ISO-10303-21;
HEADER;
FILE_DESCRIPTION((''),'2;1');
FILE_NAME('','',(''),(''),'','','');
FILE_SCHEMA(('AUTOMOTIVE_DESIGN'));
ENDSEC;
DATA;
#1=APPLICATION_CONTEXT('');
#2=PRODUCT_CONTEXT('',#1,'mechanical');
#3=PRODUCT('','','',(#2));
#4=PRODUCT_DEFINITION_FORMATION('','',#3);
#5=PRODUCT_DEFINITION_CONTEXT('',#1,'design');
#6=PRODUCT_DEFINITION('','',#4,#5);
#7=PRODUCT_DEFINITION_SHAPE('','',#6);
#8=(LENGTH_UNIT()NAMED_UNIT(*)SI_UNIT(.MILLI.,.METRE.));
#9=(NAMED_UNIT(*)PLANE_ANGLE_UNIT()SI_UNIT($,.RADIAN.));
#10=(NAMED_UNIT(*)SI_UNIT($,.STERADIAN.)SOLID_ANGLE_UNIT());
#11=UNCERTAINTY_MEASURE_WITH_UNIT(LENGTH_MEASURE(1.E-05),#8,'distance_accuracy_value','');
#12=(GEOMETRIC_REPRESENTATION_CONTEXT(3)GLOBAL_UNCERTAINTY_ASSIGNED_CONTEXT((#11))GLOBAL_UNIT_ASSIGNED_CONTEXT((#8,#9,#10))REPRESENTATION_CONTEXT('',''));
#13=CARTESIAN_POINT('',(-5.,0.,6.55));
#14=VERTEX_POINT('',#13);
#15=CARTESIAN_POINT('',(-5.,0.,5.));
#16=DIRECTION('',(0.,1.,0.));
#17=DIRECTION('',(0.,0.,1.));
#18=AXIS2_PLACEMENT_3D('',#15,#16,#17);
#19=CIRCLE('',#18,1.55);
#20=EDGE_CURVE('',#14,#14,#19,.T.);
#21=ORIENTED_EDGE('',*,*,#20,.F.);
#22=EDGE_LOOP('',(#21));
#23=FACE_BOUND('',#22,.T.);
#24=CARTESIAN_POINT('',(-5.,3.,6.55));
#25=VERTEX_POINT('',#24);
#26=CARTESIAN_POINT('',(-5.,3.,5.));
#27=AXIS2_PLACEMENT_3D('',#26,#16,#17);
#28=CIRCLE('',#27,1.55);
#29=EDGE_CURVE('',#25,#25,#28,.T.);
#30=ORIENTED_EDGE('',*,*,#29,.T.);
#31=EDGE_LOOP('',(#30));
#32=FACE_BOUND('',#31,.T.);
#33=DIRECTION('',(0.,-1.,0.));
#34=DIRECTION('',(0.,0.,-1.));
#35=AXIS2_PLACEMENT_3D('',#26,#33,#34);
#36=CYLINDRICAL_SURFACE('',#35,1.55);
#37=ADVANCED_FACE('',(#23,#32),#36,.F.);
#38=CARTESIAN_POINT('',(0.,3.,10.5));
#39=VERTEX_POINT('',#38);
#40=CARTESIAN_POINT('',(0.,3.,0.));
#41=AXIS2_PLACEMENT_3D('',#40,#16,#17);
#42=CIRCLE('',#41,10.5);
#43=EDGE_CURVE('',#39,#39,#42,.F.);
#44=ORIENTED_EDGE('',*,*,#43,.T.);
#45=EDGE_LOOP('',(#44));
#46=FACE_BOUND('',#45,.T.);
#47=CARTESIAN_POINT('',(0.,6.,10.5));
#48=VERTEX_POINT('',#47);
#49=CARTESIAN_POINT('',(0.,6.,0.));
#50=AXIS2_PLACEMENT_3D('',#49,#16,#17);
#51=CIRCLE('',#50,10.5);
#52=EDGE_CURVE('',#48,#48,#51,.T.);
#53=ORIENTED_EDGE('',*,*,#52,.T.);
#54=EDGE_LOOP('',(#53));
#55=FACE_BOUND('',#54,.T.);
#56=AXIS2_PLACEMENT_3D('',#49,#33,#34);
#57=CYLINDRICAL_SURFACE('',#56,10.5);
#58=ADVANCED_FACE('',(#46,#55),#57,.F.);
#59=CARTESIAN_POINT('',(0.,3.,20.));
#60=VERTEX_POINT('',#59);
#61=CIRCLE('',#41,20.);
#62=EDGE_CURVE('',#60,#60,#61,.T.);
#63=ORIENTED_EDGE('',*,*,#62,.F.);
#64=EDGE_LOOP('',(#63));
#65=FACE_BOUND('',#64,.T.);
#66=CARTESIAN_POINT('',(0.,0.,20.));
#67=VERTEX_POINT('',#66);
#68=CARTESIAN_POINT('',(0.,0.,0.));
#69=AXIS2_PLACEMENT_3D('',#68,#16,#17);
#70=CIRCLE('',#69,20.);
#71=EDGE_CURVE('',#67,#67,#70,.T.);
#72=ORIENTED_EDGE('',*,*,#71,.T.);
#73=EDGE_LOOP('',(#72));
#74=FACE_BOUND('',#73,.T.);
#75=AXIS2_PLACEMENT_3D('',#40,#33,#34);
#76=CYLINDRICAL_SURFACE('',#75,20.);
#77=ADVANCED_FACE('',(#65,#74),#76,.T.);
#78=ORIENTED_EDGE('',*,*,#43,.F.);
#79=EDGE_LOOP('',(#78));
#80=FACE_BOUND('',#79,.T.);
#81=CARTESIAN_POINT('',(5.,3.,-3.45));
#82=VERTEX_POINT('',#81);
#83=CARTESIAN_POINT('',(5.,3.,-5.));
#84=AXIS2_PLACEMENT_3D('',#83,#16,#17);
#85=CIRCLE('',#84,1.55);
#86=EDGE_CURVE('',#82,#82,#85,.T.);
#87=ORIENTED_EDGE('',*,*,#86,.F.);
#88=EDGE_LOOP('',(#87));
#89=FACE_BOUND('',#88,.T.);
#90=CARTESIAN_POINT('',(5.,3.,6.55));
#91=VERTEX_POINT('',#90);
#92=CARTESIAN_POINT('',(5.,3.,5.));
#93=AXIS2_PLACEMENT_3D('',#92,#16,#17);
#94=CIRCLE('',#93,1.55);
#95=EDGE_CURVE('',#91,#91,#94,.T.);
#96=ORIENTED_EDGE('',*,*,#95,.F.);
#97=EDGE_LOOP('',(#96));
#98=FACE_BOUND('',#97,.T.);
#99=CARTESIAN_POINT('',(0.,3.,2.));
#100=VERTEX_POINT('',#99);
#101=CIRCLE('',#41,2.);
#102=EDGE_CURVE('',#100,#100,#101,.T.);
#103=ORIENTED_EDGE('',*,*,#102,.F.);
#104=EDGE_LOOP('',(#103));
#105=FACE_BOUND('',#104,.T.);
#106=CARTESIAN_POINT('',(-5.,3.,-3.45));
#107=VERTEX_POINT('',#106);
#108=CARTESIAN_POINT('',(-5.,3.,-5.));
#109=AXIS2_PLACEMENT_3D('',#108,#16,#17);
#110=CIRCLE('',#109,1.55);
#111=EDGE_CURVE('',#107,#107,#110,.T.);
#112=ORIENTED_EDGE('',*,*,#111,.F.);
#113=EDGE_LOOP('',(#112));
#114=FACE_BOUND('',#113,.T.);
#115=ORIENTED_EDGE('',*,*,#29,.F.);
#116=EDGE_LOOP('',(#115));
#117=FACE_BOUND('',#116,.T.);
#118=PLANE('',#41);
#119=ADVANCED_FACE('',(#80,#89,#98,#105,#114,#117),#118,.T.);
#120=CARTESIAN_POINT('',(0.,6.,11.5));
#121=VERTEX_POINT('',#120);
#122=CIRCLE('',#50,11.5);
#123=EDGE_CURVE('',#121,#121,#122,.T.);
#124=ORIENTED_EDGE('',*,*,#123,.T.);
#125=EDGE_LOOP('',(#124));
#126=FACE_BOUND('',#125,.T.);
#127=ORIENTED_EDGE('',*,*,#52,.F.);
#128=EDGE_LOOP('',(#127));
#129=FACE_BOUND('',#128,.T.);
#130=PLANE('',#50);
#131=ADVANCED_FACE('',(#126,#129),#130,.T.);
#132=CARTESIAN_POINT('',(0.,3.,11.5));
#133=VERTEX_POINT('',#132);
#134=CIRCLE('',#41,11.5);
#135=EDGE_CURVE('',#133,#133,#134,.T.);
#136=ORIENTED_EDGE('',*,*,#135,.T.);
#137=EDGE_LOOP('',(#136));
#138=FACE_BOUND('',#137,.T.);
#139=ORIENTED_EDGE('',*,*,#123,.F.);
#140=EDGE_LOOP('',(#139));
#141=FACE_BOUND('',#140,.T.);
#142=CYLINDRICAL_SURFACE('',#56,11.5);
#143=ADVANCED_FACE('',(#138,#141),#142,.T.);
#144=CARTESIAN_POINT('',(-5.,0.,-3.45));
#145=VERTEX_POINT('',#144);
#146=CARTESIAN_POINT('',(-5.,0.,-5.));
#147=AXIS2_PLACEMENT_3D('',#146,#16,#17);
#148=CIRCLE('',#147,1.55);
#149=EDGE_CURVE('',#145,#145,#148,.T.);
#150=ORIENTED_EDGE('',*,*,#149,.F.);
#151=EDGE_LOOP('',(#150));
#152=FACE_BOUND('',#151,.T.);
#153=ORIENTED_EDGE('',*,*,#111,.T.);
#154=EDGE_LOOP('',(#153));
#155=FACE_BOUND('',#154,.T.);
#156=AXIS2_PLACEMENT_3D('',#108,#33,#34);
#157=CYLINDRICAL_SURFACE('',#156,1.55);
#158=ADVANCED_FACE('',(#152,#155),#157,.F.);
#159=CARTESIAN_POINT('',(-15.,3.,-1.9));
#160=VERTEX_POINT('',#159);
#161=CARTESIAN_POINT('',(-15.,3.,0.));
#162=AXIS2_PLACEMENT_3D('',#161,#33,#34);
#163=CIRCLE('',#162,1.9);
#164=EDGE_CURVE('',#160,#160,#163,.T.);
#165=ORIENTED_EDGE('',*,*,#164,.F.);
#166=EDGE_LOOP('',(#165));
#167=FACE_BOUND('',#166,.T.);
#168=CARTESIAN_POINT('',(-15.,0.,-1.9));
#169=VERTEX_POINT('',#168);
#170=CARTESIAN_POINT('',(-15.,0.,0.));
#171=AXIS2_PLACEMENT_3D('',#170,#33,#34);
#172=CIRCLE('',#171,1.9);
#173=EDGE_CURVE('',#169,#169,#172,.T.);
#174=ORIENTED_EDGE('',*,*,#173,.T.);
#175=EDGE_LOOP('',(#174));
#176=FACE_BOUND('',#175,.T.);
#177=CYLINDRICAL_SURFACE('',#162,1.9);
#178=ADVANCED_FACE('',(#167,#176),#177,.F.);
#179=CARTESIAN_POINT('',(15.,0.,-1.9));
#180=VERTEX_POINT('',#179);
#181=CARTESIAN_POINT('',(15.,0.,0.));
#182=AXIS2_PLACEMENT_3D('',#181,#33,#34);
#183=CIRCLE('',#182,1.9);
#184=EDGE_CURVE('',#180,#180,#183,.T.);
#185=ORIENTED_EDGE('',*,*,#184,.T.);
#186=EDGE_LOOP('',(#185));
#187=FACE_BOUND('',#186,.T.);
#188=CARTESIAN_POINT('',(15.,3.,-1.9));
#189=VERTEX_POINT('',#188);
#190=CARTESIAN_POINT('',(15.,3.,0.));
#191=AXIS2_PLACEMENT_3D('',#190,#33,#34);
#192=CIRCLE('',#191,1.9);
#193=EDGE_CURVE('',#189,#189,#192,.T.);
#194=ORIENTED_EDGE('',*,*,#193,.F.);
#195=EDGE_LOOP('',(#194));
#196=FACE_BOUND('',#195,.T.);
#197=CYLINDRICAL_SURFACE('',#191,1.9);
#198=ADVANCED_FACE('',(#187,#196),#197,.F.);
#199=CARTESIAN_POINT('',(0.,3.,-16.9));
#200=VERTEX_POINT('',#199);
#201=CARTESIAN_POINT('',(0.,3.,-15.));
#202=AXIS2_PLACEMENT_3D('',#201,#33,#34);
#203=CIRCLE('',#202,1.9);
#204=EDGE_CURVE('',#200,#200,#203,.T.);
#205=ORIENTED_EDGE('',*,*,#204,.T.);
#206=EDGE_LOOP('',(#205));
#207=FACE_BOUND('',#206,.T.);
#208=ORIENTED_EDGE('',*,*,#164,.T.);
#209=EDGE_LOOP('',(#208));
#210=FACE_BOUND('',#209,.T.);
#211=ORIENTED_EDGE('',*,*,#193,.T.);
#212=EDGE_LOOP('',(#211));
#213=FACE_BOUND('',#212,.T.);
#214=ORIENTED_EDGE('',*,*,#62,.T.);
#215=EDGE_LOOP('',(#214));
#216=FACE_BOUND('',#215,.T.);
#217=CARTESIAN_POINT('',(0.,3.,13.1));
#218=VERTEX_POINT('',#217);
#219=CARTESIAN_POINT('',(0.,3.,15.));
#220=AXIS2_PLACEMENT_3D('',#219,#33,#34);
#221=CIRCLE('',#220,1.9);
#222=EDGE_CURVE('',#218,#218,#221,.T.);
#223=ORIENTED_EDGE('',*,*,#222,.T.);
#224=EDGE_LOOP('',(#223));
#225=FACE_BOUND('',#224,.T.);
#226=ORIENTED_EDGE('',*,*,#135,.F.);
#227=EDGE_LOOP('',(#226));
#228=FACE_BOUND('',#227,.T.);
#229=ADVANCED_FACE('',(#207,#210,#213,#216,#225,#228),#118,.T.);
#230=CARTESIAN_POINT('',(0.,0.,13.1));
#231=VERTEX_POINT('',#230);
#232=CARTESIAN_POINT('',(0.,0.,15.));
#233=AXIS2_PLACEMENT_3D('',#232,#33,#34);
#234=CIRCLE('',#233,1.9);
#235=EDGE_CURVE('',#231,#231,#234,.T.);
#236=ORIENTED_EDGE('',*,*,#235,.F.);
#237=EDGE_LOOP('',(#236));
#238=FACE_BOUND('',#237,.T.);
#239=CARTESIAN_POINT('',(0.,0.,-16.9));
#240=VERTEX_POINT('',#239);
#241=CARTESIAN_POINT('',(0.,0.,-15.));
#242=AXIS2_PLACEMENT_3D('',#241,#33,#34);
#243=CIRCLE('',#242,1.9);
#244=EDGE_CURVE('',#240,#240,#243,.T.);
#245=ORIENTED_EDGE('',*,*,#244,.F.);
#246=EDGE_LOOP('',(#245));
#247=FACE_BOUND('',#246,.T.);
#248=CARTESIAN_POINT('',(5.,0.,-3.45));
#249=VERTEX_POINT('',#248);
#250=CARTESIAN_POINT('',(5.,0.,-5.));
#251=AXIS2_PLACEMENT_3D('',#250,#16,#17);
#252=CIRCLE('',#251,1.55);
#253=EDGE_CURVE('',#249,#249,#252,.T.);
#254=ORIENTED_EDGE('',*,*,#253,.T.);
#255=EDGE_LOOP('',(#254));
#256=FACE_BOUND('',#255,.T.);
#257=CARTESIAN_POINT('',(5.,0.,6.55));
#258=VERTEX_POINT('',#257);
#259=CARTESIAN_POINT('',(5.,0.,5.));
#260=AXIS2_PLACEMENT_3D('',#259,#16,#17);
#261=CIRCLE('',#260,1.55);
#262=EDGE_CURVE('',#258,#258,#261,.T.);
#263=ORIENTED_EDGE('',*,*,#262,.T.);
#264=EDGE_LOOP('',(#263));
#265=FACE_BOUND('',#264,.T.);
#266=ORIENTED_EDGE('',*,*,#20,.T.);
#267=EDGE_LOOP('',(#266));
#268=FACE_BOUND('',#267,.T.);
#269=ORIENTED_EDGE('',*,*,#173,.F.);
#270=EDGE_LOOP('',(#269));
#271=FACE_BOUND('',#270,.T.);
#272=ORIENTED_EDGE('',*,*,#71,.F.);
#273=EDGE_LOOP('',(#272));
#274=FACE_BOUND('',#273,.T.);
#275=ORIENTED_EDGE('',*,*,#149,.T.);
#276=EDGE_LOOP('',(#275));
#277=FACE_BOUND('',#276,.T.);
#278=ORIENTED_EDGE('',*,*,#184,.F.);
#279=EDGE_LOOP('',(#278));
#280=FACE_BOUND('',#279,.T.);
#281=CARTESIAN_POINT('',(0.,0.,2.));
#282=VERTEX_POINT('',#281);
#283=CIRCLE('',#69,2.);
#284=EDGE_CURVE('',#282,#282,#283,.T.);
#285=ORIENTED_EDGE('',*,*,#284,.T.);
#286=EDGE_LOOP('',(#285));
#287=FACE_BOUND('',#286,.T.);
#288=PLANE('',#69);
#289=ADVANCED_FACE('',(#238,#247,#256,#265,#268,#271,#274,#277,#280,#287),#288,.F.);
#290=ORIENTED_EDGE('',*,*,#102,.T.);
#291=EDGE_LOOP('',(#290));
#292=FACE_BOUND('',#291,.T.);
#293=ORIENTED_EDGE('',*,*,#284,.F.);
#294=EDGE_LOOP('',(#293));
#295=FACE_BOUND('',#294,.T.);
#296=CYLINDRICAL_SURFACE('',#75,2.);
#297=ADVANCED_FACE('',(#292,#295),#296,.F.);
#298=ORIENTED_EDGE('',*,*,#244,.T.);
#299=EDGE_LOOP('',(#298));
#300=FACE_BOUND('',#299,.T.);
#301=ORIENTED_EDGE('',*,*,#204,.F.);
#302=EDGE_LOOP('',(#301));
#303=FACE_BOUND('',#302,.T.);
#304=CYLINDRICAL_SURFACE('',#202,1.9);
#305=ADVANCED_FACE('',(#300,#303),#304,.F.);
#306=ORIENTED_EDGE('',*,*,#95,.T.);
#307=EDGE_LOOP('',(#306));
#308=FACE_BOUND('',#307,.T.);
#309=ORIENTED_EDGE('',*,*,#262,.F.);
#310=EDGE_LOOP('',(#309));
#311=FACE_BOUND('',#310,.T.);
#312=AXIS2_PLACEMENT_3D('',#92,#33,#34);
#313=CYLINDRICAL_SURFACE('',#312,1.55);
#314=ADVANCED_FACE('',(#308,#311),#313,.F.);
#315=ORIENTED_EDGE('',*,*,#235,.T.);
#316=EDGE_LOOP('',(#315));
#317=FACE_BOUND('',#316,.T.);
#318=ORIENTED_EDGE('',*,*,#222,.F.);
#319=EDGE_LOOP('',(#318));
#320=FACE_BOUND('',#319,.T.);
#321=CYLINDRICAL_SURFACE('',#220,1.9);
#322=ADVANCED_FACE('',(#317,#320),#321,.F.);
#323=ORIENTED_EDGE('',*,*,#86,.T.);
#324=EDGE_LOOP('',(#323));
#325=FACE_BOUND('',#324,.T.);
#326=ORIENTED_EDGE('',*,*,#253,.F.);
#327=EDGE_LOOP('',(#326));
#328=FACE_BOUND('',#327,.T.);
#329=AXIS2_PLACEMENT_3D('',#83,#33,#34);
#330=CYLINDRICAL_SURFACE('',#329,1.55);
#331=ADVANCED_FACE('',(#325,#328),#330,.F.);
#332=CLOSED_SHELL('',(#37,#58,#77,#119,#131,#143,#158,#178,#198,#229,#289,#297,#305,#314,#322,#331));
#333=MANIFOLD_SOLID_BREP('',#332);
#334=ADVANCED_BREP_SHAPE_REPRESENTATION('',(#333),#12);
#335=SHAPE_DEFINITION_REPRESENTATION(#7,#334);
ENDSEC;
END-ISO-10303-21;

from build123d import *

# Parameters (mm, degrees)
SKETCH_1_R          = 20
SKETCH_1_R_2        = 1.6
SKETCH_1_R_3        = 1.55
SKETCH_1_R_4        = 2
EXTRUDE_1_DEPTH     = 3
SKETCH_2_R          = 11.5
SKETCH_2_R_2        = 10.5
EXTRUDE_2_DEPTH     = 3
SKETCH_3_R          = 1.9
CUT_EXTRUDE_1_DEPTH = 3


with BuildPart() as part:
    # 草图1 → 凸台-拉伸1 (new body)
    with BuildSketch(Plane(origin=(0, 0, 0), x_dir=(1, 0, 0), z_dir=(0, 1, 0))):
        with Locations(Location((0, 0, 0), (0, 0, 270))):
            Circle(SKETCH_1_R)
        with Locations(Location((0, 15, 0), (0, 0, 270))):
            Circle(SKETCH_1_R_2, mode=Mode.SUBTRACT)
        with Locations(Location((15, 0, 0), (0, 0, 270))):
            Circle(SKETCH_1_R_2, mode=Mode.SUBTRACT)
        with Locations(Location((0, -15, 0), (0, 0, 270))):
            Circle(SKETCH_1_R_2, mode=Mode.SUBTRACT)
        with Locations(Location((-15, 0, 0), (0, 0, 270))):
            Circle(SKETCH_1_R_2, mode=Mode.SUBTRACT)
        with Locations(Location((-5, 5, 0), (0, 0, 270))):
            Circle(SKETCH_1_R_3, mode=Mode.SUBTRACT)
        with Locations(Location((5, 5, 0), (0, 0, 270))):
            Circle(SKETCH_1_R_3, mode=Mode.SUBTRACT)
        with Locations(Location((5, -5, 0), (0, 0, 270))):
            Circle(SKETCH_1_R_3, mode=Mode.SUBTRACT)
        with Locations(Location((-5, -5, 0), (0, 0, 270))):
            Circle(SKETCH_1_R_3, mode=Mode.SUBTRACT)
        with Locations(Location((0, 0, 0), (0, 0, 270))):
            Circle(SKETCH_1_R_4, mode=Mode.SUBTRACT)
    extrude(amount=EXTRUDE_1_DEPTH)

    # 草图2 → 凸台-拉伸2 (add)
    with BuildSketch(Plane(origin=(0, 3, 0), x_dir=(1, 0, 0), z_dir=(0, 1, 0))):
        with Locations(Location((0, 0, 0), (0, 0, 270))):
            Circle(SKETCH_2_R)
        with Locations(Location((0, 0, 0), (0, 0, 270))):
            Circle(SKETCH_2_R_2, mode=Mode.SUBTRACT)
    extrude(amount=EXTRUDE_2_DEPTH)

    # 草图3 → 切除-拉伸1 (cut)
    with BuildSketch(Plane.XZ):
        with Locations(Location((0, 15, 0), (0, 0, 270))):
            Circle(SKETCH_3_R)
        with Locations(Location((15, 0, 0), (0, 0, 270))):
            Circle(SKETCH_3_R)
        with Locations(Location((0, -15, 0), (0, 0, 270))):
            Circle(SKETCH_3_R)
        with Locations(Location((-15, 0, 0), (0, 0, 270))):
            Circle(SKETCH_3_R)
    extrude(amount=-CUT_EXTRUDE_1_DEPTH, mode=Mode.SUBTRACT)


solid = part.part
